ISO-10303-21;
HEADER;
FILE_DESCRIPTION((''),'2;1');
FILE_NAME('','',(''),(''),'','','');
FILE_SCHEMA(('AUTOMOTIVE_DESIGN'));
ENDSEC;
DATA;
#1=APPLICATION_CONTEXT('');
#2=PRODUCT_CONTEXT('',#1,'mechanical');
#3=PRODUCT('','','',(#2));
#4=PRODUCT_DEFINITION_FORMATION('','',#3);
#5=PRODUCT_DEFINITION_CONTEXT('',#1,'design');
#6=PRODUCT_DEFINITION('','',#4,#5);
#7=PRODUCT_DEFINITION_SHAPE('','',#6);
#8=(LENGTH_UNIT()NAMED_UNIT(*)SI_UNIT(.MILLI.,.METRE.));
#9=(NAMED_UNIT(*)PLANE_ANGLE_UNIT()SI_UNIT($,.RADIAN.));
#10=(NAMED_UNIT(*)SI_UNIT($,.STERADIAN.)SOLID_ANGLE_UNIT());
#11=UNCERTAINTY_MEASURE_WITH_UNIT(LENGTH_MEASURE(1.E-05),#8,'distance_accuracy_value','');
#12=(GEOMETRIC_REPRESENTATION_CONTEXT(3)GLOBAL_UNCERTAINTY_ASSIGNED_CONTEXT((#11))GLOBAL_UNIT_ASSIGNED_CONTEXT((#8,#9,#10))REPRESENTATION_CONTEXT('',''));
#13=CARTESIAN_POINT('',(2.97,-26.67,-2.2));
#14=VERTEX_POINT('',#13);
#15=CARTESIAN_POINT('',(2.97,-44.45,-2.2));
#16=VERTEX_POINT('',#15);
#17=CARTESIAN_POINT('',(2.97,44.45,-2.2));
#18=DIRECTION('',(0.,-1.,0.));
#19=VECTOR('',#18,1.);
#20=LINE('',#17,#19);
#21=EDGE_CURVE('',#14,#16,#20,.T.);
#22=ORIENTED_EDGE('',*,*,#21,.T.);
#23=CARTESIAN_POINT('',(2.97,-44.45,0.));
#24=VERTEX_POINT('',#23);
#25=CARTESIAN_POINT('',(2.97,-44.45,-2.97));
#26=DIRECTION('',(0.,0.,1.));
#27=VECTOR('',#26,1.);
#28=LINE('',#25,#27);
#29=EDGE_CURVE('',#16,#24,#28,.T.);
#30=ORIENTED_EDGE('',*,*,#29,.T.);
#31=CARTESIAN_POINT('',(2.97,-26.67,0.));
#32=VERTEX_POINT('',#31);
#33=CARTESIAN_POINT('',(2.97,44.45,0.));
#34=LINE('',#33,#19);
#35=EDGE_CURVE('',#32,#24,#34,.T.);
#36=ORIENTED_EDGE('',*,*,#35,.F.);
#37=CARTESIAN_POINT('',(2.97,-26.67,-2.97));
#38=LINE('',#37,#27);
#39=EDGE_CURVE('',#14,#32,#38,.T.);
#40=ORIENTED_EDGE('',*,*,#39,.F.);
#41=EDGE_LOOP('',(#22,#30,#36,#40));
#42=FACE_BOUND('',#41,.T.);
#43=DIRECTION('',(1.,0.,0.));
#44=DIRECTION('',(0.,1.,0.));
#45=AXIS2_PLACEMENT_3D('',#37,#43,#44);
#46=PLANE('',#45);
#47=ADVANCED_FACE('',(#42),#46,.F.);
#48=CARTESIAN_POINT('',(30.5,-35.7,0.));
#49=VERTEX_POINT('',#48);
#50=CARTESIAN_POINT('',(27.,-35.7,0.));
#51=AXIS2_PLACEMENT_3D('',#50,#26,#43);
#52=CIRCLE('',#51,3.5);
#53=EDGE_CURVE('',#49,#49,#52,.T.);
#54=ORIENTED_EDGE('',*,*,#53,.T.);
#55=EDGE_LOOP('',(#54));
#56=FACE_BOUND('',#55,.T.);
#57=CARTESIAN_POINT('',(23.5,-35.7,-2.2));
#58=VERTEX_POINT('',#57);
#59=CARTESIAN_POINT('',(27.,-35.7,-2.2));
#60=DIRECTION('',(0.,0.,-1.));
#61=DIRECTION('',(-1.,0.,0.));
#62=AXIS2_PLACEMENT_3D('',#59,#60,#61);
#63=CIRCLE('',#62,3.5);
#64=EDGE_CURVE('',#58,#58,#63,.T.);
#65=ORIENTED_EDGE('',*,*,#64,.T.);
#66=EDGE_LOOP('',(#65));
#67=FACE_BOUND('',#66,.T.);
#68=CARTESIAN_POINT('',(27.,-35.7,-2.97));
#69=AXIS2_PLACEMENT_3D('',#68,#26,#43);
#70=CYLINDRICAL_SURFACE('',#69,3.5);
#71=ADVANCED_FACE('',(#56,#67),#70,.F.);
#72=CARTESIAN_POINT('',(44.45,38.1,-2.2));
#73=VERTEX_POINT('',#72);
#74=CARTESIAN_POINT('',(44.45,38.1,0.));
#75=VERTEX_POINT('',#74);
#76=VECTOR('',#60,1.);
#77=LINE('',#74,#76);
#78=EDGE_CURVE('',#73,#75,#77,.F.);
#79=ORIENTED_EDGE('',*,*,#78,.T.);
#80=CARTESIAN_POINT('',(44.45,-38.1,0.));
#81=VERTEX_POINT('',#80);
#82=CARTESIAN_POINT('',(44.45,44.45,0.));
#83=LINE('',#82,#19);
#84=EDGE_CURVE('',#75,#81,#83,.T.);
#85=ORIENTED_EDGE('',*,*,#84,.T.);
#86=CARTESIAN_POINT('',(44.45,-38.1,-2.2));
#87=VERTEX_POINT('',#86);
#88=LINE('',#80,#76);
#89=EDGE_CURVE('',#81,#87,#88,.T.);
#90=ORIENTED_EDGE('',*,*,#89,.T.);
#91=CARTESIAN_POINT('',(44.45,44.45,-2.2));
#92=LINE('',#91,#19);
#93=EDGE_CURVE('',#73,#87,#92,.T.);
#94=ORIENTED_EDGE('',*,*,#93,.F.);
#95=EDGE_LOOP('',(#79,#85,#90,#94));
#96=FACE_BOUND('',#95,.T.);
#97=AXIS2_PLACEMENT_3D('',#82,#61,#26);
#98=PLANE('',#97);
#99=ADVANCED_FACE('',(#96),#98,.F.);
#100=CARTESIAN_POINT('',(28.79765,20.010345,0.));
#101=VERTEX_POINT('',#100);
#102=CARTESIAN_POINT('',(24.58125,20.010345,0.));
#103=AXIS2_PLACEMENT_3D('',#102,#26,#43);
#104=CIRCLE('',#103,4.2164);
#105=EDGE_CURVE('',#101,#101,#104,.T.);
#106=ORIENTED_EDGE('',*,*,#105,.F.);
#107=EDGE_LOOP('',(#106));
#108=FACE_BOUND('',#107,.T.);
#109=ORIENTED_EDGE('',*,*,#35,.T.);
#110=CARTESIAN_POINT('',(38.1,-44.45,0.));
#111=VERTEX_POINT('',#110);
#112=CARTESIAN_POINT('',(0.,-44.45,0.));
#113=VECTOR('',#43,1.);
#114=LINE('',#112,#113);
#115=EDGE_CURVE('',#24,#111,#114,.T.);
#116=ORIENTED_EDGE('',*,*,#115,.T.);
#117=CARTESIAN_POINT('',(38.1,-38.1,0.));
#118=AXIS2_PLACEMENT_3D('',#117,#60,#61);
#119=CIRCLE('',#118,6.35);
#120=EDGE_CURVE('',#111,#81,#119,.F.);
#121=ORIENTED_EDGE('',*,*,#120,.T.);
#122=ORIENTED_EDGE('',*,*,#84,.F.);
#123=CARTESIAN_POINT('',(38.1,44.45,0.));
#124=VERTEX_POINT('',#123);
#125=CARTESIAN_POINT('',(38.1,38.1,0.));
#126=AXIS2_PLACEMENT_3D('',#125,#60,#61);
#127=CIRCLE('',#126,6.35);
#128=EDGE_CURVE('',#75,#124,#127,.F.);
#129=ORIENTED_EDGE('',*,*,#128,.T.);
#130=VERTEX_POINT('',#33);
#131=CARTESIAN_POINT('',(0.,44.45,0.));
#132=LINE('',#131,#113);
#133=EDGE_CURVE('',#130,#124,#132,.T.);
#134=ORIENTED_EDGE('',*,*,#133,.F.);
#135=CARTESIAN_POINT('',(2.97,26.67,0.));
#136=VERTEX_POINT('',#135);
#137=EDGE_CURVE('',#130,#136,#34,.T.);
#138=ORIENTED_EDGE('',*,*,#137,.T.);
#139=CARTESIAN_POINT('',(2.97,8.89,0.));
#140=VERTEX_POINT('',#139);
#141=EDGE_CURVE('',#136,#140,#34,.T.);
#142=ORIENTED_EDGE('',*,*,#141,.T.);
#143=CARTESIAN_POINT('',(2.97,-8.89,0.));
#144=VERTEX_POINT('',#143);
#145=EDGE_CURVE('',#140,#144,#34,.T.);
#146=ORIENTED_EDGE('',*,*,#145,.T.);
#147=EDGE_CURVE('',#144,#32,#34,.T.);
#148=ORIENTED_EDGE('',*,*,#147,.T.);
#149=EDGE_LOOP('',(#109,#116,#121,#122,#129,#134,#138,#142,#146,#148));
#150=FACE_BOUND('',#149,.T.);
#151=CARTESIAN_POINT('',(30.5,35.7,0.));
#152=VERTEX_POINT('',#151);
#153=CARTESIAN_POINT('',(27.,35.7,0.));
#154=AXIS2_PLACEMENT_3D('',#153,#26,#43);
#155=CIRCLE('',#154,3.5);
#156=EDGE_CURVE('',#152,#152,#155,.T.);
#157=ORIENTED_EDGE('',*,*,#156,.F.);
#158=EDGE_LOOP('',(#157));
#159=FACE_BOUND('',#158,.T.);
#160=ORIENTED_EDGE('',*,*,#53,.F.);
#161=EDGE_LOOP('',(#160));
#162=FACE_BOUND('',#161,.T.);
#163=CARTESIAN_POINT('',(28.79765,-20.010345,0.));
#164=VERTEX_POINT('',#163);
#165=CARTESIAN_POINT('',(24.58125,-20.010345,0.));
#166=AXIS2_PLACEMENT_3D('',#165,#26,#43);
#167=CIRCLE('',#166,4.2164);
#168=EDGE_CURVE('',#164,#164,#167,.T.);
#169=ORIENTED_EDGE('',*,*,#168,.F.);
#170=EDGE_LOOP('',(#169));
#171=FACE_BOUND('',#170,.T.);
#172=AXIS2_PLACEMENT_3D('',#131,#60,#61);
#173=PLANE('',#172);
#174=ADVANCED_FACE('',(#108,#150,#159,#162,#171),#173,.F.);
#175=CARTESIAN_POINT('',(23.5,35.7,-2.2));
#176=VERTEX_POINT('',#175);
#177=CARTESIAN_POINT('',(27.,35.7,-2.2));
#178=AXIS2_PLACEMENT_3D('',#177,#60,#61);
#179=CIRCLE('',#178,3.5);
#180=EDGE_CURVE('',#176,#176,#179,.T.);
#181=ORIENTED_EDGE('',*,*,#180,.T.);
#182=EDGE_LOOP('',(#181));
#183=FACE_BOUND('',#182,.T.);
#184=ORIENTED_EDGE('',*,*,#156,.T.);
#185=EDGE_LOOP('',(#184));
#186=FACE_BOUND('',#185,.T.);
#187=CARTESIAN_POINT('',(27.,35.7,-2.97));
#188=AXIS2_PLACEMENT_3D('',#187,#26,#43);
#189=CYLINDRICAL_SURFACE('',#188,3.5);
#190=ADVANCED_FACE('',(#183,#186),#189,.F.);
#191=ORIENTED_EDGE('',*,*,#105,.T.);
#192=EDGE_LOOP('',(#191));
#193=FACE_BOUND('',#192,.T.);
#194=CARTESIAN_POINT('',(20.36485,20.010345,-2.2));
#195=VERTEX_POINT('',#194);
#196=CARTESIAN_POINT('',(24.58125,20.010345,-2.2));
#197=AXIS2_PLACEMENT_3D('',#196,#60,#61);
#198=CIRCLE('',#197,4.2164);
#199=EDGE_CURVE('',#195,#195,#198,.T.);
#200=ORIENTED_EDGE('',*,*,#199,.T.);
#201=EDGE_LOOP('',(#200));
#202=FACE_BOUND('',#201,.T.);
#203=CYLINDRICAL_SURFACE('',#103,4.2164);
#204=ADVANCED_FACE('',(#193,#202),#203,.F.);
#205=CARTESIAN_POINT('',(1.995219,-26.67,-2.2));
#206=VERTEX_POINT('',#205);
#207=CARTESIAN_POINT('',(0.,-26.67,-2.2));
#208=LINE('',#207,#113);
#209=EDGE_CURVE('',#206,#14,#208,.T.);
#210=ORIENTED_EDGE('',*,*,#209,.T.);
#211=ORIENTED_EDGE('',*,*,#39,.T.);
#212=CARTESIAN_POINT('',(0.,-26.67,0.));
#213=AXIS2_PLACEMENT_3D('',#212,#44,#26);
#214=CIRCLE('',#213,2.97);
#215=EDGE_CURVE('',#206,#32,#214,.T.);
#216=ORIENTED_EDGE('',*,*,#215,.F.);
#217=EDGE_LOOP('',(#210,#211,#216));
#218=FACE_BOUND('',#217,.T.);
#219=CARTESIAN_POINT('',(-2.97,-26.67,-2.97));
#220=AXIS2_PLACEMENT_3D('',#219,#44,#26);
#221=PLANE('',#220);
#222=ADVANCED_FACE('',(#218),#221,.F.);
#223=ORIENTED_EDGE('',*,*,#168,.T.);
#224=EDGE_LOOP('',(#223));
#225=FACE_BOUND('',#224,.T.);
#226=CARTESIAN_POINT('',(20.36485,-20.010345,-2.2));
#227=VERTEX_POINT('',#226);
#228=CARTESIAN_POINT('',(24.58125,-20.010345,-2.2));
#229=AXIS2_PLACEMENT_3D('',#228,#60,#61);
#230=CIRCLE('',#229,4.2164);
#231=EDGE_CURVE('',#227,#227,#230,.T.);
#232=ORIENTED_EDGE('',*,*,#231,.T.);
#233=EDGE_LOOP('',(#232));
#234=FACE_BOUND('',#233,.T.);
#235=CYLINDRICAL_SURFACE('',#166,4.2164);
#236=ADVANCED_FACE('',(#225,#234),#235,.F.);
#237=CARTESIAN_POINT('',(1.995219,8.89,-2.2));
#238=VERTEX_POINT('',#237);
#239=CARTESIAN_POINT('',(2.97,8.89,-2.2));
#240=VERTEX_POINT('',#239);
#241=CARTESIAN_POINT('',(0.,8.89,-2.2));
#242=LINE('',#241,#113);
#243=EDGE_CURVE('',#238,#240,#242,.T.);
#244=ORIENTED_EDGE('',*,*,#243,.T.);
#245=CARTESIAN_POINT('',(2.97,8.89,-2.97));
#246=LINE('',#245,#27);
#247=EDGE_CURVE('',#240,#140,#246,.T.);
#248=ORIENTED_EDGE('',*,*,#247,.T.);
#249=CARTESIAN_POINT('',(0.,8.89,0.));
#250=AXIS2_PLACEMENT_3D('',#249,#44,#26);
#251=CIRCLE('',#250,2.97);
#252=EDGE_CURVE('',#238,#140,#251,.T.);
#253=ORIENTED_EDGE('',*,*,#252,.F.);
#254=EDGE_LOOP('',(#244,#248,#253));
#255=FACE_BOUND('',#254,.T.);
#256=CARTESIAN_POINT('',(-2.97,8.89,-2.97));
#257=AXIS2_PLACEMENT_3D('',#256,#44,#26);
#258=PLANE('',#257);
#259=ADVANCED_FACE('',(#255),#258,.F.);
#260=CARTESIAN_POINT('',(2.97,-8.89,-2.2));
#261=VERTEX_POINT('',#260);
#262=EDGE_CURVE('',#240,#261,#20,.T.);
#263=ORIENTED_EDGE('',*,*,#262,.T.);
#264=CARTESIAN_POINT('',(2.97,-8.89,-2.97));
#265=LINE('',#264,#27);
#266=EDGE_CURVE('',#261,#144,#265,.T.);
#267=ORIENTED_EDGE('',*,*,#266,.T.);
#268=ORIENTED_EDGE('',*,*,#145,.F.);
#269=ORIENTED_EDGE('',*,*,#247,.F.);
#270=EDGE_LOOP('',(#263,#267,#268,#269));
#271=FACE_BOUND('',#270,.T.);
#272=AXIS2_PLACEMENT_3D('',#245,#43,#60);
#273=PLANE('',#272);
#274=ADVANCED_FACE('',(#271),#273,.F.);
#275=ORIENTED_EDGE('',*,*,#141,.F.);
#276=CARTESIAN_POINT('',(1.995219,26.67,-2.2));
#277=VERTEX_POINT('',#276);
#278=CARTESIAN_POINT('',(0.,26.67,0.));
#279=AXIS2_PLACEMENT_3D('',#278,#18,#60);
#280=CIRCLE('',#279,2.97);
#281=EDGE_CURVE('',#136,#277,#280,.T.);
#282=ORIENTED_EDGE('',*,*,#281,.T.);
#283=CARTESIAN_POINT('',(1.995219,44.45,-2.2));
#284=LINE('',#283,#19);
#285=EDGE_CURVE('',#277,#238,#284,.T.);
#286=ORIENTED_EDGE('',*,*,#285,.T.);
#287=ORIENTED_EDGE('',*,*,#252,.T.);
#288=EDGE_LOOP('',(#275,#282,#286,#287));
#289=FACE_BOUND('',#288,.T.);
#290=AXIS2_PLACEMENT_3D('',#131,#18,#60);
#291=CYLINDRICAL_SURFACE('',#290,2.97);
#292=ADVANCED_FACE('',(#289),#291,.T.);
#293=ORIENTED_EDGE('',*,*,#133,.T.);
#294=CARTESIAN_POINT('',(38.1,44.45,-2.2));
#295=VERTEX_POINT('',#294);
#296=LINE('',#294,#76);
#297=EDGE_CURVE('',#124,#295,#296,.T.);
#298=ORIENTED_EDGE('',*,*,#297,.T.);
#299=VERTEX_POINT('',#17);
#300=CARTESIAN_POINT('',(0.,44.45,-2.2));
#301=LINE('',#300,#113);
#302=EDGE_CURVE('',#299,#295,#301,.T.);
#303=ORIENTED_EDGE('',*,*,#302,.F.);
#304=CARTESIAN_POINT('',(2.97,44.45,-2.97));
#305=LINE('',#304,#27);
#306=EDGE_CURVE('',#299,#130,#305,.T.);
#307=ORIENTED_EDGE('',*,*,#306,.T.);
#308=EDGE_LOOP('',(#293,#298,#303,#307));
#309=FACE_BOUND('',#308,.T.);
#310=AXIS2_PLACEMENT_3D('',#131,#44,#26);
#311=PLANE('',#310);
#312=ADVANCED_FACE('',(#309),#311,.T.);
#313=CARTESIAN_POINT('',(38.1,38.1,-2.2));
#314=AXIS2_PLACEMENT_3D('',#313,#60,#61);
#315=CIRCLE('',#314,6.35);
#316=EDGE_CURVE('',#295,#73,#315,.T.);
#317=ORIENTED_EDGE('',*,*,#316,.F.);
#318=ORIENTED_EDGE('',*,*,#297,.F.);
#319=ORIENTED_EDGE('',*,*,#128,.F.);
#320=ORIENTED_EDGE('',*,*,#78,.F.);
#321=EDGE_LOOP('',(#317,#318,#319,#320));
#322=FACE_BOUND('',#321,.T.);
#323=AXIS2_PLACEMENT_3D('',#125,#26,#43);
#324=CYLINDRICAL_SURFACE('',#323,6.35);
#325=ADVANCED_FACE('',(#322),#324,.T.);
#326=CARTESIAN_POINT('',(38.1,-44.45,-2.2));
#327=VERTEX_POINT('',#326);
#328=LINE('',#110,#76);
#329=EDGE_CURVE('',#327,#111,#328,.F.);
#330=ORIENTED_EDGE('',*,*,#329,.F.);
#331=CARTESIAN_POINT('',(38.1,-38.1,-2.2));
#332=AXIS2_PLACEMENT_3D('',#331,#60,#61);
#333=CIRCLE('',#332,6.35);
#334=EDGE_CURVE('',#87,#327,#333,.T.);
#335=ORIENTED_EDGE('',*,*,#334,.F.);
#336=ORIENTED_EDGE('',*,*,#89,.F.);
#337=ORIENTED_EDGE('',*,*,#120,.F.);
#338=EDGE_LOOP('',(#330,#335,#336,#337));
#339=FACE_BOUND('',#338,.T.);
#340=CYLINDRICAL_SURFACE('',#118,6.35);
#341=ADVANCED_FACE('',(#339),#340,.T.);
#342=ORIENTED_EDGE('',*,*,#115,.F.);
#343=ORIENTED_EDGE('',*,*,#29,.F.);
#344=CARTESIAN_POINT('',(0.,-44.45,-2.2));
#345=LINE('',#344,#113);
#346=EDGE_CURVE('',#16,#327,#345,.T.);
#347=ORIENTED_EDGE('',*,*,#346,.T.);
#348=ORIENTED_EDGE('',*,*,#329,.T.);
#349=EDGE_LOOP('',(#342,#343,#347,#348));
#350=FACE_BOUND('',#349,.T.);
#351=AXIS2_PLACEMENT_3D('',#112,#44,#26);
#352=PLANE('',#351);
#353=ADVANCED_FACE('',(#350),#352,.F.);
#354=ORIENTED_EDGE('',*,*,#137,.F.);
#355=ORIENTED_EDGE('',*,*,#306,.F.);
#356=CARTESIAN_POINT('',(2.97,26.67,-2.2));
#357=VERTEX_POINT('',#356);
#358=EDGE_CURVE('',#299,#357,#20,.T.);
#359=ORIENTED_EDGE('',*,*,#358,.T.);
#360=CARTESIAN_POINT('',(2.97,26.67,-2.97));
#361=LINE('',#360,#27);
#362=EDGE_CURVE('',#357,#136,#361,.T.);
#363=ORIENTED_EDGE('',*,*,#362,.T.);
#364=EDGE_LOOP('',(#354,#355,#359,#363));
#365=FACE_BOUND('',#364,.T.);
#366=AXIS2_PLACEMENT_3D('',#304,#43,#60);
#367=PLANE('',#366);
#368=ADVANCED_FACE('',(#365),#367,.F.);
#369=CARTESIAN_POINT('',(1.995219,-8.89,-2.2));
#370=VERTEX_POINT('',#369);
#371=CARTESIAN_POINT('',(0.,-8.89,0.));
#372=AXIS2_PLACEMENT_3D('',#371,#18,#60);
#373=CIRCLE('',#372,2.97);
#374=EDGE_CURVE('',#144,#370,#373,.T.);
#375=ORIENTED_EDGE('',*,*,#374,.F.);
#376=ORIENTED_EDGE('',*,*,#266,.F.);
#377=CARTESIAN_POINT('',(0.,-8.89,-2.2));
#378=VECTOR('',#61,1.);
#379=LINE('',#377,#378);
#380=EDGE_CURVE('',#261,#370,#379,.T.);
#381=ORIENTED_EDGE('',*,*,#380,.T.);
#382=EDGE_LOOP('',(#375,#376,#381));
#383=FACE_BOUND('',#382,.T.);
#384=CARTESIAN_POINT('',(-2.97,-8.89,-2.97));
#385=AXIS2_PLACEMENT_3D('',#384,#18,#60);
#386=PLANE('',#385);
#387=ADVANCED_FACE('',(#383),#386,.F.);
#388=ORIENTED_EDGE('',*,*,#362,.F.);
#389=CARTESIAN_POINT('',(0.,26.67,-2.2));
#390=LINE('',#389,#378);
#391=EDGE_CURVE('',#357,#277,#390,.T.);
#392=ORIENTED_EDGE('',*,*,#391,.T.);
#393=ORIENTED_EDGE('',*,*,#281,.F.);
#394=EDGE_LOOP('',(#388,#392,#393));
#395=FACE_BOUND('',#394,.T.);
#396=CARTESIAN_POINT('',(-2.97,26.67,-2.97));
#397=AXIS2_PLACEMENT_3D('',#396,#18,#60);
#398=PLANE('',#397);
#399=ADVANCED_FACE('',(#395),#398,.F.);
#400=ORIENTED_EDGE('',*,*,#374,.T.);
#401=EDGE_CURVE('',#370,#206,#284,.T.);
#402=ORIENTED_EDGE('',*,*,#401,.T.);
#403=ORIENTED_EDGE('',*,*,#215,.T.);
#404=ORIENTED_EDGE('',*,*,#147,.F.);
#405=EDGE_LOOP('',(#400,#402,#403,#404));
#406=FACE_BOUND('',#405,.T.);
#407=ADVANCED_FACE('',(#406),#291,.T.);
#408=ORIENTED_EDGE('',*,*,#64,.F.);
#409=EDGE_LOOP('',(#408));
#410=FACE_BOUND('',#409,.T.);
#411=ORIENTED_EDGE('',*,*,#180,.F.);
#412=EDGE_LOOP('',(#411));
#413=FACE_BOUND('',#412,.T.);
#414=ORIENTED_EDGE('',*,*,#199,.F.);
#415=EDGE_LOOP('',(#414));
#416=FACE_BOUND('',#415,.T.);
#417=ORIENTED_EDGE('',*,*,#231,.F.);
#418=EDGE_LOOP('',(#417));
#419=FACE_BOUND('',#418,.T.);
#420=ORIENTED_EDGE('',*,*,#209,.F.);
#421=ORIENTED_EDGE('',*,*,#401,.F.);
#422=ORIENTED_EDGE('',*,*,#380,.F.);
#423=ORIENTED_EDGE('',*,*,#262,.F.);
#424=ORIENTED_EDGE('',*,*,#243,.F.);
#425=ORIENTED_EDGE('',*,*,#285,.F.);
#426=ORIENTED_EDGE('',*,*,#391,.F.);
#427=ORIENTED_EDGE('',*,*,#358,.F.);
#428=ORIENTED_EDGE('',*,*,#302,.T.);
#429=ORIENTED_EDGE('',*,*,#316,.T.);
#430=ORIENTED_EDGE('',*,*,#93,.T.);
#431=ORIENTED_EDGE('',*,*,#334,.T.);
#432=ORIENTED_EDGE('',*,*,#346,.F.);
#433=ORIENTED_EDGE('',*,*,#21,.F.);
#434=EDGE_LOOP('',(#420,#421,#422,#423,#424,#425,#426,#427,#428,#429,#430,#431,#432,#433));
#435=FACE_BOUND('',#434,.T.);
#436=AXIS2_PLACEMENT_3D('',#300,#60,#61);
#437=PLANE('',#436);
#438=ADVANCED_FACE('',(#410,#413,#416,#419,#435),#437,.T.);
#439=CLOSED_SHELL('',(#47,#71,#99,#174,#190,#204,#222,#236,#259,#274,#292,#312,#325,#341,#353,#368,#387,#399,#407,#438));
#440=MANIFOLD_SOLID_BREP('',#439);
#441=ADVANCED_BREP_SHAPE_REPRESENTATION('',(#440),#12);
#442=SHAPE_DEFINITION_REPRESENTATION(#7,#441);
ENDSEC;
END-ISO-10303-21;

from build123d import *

# Parameters (mm, degrees)
SKETCH1_R                = 2.97
SKETCH1_W                = 44.45
SKETCH1_H                = 2.2
BOSS_EXTRUDE1_DEPTH      = 44.45
CUT_EXTRUDE1_DEPTH       = 63.931914797
CUT_EXTRUDE1_DEPTH_BACK  = 63.931914797
SKETCH2_W                = 5.94
SKETCH2_H                = 17.78
FILLET1_R                = 6.35
SKETCH4_R                = 3.5
CUT_EXTRUDE2_DEPTH       = 63.931914797
F_5_16_CLEARANCE_HOLE1_D = 8.4328


with BuildPart() as part:
    # Sketch1 → Boss-Extrude1 (new, symmetric)
    with BuildSketch(Plane(origin=(0, 0, 0), x_dir=(1, 0, 0), z_dir=(0, 1, 0))):
        Circle(SKETCH1_R)
        with Locations((22.225, 1.1)):
            Rectangle(SKETCH1_W, SKETCH1_H)
    extrude(amount=BOSS_EXTRUDE1_DEPTH, both=True)

    # Sketch2 → Cut-Extrude1 (cut, two sides: drawn at the far end of the back side and taken through both)
    with BuildSketch(Plane.XY.offset(-CUT_EXTRUDE1_DEPTH_BACK)):
        with Locations((0, 35.56)):
            Rectangle(SKETCH2_W, SKETCH2_H)
        Rectangle(SKETCH2_W, SKETCH2_H)
        with Locations((0, -35.56)):
            Rectangle(SKETCH2_W, SKETCH2_H)
    extrude(amount=CUT_EXTRUDE1_DEPTH + CUT_EXTRUDE1_DEPTH_BACK, mode=Mode.SUBTRACT)

    # Fillet1
    fillet1_edges = [part.edges().sort_by_distance(p)[0] for p in [
        (44.45, 44.45, -1.1),
        (44.45, -44.45, -1.1),
    ]]
    fillet(fillet1_edges, radius=FILLET1_R)

    # Sketch4 → Cut-Extrude2 (cut, through all)
    with BuildSketch(Plane.XY):
        with Locations((27, 35.7)):
            Circle(SKETCH4_R)
        with Locations((27, -35.7)):
            Circle(SKETCH4_R)
    extrude(amount=-CUT_EXTRUDE2_DEPTH, mode=Mode.SUBTRACT)

    # 5/16 Clearance Hole1 (through all)
    with Locations(Plane.XY):
        with Locations((24.58125, 20.010345019), (24.58125, -20.010345019)):
            Hole(F_5_16_CLEARANCE_HOLE1_D / 2)


solid = part.part
